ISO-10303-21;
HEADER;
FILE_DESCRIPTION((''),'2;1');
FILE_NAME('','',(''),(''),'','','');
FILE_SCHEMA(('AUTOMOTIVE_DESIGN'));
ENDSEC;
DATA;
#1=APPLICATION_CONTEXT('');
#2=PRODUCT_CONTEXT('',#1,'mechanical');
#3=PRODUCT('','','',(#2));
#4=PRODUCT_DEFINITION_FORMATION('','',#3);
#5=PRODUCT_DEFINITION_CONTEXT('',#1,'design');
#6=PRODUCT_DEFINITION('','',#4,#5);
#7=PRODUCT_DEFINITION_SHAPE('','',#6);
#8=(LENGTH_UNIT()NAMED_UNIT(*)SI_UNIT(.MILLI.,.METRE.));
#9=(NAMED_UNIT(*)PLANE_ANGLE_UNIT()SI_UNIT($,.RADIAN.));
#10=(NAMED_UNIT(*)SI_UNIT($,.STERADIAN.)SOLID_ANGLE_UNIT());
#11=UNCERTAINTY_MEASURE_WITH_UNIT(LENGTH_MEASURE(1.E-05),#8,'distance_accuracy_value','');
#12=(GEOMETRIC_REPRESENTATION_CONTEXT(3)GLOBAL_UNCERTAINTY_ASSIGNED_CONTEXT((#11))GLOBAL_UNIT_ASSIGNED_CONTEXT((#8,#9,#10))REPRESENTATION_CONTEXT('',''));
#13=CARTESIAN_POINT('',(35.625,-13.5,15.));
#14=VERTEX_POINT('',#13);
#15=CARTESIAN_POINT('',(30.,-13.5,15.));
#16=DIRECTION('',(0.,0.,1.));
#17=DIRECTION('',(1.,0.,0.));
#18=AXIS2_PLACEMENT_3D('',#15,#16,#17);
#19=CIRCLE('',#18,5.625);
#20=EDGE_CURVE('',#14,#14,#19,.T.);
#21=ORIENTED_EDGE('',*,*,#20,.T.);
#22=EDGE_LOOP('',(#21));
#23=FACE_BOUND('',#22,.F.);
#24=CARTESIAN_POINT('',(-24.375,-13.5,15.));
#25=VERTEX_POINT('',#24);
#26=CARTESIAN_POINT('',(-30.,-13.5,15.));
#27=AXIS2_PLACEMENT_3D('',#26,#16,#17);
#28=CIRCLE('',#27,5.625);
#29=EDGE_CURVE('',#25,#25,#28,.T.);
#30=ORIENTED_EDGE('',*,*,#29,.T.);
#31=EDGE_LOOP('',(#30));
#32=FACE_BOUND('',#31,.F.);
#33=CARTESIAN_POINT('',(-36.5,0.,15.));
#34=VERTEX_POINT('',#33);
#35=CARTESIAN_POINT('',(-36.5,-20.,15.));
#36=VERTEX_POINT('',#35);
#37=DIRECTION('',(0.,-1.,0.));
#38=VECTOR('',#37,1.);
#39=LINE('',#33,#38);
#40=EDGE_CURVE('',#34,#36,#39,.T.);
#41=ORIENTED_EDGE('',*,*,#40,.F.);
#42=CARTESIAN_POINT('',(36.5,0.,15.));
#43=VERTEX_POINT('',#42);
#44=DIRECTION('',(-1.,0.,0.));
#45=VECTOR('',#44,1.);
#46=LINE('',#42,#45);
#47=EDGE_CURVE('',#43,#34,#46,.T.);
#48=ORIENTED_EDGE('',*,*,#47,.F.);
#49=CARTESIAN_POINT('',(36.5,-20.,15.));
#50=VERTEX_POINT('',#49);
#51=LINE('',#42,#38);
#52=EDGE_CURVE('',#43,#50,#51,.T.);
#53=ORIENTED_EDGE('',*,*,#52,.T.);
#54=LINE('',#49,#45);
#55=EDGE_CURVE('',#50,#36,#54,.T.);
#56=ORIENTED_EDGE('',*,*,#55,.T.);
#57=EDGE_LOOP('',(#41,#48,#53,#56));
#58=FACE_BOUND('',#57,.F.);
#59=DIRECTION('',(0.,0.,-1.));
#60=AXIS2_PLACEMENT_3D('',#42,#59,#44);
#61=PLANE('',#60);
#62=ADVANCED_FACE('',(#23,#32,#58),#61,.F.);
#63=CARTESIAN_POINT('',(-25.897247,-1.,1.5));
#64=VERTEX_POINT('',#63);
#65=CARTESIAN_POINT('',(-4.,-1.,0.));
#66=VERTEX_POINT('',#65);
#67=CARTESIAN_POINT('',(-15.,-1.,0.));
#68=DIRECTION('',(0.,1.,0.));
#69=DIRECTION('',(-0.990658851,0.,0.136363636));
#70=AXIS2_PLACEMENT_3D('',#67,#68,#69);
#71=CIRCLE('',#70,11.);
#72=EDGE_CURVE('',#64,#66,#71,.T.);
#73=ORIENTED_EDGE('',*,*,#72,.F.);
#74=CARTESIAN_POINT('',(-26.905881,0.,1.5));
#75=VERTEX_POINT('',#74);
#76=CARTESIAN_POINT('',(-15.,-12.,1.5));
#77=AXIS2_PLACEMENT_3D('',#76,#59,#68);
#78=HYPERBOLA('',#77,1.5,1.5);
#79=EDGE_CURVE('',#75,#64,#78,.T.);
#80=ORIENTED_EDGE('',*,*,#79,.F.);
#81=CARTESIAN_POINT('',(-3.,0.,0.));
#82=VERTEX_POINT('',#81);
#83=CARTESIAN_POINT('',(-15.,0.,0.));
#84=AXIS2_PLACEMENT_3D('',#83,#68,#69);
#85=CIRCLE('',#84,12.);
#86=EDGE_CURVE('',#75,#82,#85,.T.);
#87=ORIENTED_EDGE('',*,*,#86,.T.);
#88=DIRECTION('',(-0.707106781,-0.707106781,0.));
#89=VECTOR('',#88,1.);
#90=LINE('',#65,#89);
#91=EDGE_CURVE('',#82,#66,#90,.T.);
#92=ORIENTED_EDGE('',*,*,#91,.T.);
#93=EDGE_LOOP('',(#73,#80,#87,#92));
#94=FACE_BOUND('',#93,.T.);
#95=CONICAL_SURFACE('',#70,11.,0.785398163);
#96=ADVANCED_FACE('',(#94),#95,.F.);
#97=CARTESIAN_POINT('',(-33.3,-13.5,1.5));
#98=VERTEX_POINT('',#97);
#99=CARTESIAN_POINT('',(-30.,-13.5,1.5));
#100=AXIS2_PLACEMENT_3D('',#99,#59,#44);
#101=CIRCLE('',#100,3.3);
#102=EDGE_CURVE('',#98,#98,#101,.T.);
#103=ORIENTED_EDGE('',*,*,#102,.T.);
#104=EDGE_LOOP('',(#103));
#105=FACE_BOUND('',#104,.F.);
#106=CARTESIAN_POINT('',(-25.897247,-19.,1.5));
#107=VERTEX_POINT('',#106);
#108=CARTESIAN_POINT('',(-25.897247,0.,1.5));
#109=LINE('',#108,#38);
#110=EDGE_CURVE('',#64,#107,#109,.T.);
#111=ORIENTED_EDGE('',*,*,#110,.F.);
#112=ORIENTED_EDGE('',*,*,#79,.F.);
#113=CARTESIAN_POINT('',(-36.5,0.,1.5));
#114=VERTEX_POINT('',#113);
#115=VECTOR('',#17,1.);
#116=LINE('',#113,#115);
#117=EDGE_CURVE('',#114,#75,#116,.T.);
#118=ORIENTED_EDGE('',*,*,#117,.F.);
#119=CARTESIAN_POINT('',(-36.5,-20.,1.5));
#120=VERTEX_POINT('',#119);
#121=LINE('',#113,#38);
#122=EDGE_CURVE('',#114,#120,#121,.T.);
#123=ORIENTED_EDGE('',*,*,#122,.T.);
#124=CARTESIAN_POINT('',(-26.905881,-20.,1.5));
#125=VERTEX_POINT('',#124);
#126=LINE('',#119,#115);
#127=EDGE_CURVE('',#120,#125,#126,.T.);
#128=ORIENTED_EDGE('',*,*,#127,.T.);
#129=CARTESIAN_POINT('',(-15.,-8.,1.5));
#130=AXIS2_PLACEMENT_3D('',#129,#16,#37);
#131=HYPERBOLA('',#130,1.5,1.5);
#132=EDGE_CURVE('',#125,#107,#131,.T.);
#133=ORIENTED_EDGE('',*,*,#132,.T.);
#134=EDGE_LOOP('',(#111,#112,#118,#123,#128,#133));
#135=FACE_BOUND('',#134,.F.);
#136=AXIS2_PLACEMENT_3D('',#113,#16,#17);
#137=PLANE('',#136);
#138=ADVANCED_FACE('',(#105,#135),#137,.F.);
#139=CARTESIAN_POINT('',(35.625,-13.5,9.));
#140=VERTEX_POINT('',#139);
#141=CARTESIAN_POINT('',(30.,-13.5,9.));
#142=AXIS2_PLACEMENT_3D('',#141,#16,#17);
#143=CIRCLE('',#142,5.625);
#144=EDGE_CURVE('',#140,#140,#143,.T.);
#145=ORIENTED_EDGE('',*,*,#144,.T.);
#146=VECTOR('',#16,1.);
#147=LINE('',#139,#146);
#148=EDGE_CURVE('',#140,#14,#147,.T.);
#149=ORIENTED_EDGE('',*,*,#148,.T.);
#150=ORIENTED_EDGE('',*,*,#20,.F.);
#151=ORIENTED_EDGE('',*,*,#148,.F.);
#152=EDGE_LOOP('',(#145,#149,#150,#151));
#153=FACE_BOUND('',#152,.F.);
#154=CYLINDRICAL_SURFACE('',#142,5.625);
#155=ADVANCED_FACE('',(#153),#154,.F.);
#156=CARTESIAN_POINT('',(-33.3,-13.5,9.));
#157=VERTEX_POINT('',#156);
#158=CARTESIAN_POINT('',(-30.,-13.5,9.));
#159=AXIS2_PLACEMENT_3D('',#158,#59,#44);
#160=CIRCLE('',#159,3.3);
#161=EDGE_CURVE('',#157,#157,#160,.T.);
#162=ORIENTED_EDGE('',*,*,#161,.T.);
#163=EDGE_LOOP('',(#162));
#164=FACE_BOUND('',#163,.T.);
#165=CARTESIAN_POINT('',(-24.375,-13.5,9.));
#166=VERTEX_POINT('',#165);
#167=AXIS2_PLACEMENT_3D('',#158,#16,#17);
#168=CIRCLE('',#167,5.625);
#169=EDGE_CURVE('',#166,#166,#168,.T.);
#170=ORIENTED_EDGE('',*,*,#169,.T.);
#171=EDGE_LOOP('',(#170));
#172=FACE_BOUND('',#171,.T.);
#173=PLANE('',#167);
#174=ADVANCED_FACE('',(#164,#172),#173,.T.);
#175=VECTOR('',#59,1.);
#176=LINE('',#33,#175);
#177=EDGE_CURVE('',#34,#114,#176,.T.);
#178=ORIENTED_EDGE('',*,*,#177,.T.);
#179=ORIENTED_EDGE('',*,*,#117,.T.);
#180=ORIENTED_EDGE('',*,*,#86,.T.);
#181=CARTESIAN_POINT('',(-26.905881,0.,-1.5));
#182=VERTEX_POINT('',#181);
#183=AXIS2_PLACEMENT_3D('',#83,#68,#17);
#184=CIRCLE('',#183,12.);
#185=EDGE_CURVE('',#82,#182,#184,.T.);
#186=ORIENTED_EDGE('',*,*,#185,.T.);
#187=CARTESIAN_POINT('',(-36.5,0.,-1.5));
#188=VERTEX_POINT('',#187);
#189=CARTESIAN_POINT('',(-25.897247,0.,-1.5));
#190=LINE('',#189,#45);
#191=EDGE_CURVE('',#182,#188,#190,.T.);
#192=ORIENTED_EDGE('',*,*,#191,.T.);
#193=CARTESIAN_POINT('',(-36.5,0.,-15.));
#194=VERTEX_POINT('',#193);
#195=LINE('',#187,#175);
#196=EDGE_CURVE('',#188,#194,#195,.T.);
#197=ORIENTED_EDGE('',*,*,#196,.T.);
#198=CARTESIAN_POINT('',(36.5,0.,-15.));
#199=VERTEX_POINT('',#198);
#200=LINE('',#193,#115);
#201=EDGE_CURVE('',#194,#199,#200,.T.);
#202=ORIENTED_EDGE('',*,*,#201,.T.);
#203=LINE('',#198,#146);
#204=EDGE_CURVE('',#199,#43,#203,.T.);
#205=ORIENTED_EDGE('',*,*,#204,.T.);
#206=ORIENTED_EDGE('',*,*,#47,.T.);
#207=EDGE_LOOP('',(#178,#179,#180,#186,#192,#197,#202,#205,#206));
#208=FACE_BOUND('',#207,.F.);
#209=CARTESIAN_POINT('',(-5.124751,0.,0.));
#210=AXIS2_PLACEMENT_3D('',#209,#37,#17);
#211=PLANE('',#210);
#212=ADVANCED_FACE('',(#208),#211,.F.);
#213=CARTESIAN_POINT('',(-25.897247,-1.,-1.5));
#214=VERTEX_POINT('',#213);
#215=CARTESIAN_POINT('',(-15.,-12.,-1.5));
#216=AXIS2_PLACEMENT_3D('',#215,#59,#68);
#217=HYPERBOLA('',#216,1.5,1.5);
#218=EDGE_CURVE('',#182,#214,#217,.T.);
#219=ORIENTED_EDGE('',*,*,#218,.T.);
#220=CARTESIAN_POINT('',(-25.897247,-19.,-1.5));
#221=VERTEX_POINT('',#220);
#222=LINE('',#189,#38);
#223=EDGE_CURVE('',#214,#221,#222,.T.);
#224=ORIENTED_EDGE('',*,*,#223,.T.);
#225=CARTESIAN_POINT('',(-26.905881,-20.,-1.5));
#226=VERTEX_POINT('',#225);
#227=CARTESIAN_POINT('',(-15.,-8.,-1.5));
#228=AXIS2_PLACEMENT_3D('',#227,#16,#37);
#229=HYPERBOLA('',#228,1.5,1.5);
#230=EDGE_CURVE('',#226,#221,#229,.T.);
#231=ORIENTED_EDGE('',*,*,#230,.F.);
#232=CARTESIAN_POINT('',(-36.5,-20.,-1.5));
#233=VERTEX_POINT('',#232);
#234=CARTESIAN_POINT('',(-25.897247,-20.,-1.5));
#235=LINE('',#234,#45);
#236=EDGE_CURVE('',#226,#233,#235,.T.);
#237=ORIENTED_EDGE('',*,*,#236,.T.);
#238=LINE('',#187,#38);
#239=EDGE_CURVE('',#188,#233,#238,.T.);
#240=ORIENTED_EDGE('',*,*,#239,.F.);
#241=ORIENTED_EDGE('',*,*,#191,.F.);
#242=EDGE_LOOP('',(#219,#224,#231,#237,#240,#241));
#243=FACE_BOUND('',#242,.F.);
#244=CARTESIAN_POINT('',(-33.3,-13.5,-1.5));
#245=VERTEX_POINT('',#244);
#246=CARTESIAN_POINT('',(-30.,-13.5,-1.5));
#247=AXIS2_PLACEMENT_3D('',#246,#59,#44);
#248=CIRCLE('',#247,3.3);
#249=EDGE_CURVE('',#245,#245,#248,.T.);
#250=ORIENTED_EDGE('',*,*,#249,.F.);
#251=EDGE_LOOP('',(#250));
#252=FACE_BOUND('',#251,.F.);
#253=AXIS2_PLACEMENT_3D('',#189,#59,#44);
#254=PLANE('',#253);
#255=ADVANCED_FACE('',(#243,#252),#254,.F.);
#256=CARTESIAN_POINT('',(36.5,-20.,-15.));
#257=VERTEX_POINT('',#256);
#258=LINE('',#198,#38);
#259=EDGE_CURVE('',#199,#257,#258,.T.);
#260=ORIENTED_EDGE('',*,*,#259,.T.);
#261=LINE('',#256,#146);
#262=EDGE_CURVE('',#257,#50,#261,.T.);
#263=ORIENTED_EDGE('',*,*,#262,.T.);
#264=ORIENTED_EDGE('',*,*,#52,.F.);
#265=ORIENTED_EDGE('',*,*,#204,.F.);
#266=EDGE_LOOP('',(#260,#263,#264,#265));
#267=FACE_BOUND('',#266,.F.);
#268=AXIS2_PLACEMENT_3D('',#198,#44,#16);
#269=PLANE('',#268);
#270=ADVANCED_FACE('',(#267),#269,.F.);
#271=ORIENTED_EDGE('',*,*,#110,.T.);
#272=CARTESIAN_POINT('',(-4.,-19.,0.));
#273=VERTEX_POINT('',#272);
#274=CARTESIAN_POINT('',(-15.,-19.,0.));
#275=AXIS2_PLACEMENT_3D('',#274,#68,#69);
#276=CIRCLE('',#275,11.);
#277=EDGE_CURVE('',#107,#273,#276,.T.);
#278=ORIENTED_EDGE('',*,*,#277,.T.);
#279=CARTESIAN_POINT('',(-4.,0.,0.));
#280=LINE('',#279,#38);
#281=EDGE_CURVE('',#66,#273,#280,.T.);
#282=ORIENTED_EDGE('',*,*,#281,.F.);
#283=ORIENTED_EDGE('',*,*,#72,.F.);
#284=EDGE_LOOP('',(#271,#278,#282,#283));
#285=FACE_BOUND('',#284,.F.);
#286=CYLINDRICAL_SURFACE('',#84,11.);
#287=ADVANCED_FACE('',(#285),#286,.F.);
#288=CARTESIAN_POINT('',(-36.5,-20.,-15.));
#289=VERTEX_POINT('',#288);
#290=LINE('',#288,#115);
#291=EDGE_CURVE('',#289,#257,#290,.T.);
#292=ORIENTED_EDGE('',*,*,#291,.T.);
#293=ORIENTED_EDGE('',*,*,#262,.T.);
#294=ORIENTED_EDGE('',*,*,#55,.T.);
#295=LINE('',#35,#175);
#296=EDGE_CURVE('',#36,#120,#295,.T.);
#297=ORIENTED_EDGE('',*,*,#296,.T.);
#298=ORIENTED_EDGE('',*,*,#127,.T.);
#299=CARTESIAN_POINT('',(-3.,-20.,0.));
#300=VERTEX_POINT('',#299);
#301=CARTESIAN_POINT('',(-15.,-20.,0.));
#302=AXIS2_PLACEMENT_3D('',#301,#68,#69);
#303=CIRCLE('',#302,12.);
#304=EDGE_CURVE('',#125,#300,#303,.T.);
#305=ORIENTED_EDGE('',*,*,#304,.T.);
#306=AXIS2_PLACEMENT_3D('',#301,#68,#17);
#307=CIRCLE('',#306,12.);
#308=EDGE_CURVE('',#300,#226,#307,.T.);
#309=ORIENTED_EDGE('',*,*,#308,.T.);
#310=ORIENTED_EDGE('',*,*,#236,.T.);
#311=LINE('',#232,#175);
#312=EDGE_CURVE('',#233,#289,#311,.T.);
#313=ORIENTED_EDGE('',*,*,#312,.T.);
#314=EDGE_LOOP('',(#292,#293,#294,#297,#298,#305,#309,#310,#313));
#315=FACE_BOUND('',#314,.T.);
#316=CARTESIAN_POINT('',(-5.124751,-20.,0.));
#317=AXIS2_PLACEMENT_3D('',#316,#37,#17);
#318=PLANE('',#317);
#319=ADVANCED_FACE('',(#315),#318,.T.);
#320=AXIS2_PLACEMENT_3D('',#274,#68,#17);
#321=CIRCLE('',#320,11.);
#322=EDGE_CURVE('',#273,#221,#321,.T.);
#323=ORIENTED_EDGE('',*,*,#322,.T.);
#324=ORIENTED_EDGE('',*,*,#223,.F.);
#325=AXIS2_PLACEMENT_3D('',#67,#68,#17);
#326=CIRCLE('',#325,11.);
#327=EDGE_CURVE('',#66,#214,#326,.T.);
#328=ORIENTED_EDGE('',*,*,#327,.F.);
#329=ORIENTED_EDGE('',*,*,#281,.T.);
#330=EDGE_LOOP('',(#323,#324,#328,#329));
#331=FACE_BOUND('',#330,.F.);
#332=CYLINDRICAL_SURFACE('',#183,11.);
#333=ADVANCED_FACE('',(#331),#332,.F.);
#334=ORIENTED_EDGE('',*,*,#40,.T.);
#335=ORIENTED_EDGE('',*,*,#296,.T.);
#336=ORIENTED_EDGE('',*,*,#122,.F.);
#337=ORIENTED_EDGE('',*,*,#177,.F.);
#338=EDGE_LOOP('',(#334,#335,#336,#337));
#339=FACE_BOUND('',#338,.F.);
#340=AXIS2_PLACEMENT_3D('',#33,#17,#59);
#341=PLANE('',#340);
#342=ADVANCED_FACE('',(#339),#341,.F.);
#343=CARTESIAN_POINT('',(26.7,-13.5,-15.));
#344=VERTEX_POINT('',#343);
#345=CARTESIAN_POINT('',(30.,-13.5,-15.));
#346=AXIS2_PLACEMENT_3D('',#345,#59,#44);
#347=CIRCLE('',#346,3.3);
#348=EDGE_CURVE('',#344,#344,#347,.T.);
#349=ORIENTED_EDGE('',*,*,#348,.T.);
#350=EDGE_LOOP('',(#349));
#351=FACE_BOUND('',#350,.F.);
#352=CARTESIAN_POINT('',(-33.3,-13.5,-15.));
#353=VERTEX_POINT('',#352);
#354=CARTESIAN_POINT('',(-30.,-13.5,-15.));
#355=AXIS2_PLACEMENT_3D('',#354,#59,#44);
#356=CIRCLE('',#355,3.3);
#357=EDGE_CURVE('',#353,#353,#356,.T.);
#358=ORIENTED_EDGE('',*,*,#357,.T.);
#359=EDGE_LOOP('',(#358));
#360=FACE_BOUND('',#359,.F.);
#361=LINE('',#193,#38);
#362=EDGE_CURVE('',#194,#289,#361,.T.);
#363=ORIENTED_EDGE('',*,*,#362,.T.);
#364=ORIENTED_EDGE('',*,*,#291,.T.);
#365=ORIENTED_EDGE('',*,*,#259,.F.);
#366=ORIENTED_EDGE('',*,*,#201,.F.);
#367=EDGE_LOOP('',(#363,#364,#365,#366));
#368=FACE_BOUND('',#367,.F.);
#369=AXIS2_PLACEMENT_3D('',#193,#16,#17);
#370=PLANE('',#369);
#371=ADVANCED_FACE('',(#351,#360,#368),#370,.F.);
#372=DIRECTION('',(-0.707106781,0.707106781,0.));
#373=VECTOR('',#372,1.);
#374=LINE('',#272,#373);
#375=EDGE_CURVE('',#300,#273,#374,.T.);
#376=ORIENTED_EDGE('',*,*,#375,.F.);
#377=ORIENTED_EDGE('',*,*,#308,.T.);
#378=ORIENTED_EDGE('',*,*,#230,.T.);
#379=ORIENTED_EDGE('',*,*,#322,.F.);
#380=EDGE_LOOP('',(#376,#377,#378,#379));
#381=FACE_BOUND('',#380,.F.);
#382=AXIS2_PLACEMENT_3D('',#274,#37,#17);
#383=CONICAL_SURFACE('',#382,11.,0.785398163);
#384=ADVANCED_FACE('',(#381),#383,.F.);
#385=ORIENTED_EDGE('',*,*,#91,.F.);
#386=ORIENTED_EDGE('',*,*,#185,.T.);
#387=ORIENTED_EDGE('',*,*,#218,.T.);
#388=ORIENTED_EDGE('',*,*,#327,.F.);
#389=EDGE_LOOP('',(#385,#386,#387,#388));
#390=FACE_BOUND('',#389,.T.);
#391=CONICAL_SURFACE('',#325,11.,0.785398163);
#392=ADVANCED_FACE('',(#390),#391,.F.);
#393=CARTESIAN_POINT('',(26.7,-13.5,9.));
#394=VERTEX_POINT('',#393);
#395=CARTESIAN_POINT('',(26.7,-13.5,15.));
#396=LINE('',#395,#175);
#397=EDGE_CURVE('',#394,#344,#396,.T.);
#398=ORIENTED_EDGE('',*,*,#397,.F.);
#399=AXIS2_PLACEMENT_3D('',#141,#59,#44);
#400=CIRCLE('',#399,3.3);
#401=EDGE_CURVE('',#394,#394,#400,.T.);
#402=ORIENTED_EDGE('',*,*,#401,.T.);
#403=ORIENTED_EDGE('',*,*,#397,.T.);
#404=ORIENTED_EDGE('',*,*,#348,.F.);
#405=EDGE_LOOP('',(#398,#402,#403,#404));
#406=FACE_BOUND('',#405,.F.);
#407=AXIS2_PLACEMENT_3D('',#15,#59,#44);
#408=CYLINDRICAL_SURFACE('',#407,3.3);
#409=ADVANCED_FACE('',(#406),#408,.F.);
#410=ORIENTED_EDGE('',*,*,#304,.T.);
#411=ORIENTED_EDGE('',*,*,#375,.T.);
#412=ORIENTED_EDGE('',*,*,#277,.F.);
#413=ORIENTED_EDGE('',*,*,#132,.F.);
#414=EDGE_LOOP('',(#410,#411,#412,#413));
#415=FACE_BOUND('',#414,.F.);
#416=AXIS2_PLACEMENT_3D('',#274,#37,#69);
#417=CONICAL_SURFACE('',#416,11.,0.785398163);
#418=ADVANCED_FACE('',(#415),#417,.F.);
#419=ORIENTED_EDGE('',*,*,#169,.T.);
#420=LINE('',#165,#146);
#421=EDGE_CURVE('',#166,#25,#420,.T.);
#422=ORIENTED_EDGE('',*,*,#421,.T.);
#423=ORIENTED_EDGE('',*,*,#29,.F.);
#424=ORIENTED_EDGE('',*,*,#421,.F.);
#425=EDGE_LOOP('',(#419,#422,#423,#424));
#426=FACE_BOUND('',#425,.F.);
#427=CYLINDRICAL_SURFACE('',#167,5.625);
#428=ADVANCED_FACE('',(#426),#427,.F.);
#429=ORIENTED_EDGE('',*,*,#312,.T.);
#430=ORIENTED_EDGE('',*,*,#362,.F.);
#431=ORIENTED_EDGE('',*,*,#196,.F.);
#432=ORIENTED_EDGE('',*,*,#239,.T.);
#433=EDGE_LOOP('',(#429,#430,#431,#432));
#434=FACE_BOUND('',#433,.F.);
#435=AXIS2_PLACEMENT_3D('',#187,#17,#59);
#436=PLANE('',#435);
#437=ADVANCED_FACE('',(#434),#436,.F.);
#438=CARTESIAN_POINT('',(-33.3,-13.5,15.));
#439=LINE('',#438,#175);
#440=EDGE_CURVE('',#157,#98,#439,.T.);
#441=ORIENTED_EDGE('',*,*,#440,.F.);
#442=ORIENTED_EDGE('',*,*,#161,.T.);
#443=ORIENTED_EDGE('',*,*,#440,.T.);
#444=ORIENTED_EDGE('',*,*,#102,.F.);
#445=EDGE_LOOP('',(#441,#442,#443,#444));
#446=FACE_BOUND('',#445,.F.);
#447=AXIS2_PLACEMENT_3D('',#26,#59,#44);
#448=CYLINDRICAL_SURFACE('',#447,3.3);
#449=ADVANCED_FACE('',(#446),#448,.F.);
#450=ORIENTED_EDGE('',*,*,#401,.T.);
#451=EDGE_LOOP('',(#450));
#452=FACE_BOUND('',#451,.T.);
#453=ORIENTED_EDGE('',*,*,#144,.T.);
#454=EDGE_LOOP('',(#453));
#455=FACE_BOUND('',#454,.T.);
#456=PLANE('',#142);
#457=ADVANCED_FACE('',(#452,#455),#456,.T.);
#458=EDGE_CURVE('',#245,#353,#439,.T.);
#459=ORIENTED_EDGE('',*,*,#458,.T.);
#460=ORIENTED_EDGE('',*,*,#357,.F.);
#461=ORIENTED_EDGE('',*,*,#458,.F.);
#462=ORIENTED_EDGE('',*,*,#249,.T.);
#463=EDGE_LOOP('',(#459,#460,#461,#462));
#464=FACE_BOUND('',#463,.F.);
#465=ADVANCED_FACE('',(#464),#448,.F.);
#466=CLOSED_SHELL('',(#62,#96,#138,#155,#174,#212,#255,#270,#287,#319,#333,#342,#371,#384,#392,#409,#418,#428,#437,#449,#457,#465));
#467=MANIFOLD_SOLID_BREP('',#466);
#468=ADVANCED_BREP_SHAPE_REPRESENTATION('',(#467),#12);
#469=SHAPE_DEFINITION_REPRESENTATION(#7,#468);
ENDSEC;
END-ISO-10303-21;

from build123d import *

# Parameters (mm, degrees)
F1_DEPTH       = 20
F3_D           = 6.6
F3_CBORE_D     = 11.25
F3_CBORE_DEPTH = 6
F4_SIZE        = 1


with BuildPart() as f1:
    # F0 (on Front) → F1 (new body)
    with BuildSketch(Plane.XZ):
        with BuildLine():
            Line((36.5, 15), (-36.5, 15))
            Line((-36.5, 15), (-36.5, 1.5))
            Line((-36.5, 1.5), (-25.8972473589, 1.5))
            ThreePointArc((-25.8972473589, 1.5), (-14.2482423753, 10.9742817748), (-4, 0))
            ThreePointArc((-4, 0), (-14.2482423753, -10.9742817748), (-25.8972473589, -1.5))
            Line((-25.8972473589, -1.5), (-36.5, -1.5))
            Line((-36.5, -1.5), (-36.5, -15))
            Line((-36.5, -15), (36.5, -15))
            Line((36.5, -15), (36.5, 15))
        make_face()
    extrude(amount=F1_DEPTH)

    # F3 (through all)
    with Locations(Plane.XY.offset(15)):
        with Locations((-30, -13.5), (30, -13.5)):
            CounterBoreHole(F3_D / 2, F3_CBORE_D / 2, F3_CBORE_DEPTH)

    # F4
    f4_edges = [f1.edges().sort_by_distance(p)[0] for p in [
        (-4, -20, 0),
        (-4, 0, 0),
    ]]
    chamfer(f4_edges, length=F4_SIZE)


solid = f1.part
